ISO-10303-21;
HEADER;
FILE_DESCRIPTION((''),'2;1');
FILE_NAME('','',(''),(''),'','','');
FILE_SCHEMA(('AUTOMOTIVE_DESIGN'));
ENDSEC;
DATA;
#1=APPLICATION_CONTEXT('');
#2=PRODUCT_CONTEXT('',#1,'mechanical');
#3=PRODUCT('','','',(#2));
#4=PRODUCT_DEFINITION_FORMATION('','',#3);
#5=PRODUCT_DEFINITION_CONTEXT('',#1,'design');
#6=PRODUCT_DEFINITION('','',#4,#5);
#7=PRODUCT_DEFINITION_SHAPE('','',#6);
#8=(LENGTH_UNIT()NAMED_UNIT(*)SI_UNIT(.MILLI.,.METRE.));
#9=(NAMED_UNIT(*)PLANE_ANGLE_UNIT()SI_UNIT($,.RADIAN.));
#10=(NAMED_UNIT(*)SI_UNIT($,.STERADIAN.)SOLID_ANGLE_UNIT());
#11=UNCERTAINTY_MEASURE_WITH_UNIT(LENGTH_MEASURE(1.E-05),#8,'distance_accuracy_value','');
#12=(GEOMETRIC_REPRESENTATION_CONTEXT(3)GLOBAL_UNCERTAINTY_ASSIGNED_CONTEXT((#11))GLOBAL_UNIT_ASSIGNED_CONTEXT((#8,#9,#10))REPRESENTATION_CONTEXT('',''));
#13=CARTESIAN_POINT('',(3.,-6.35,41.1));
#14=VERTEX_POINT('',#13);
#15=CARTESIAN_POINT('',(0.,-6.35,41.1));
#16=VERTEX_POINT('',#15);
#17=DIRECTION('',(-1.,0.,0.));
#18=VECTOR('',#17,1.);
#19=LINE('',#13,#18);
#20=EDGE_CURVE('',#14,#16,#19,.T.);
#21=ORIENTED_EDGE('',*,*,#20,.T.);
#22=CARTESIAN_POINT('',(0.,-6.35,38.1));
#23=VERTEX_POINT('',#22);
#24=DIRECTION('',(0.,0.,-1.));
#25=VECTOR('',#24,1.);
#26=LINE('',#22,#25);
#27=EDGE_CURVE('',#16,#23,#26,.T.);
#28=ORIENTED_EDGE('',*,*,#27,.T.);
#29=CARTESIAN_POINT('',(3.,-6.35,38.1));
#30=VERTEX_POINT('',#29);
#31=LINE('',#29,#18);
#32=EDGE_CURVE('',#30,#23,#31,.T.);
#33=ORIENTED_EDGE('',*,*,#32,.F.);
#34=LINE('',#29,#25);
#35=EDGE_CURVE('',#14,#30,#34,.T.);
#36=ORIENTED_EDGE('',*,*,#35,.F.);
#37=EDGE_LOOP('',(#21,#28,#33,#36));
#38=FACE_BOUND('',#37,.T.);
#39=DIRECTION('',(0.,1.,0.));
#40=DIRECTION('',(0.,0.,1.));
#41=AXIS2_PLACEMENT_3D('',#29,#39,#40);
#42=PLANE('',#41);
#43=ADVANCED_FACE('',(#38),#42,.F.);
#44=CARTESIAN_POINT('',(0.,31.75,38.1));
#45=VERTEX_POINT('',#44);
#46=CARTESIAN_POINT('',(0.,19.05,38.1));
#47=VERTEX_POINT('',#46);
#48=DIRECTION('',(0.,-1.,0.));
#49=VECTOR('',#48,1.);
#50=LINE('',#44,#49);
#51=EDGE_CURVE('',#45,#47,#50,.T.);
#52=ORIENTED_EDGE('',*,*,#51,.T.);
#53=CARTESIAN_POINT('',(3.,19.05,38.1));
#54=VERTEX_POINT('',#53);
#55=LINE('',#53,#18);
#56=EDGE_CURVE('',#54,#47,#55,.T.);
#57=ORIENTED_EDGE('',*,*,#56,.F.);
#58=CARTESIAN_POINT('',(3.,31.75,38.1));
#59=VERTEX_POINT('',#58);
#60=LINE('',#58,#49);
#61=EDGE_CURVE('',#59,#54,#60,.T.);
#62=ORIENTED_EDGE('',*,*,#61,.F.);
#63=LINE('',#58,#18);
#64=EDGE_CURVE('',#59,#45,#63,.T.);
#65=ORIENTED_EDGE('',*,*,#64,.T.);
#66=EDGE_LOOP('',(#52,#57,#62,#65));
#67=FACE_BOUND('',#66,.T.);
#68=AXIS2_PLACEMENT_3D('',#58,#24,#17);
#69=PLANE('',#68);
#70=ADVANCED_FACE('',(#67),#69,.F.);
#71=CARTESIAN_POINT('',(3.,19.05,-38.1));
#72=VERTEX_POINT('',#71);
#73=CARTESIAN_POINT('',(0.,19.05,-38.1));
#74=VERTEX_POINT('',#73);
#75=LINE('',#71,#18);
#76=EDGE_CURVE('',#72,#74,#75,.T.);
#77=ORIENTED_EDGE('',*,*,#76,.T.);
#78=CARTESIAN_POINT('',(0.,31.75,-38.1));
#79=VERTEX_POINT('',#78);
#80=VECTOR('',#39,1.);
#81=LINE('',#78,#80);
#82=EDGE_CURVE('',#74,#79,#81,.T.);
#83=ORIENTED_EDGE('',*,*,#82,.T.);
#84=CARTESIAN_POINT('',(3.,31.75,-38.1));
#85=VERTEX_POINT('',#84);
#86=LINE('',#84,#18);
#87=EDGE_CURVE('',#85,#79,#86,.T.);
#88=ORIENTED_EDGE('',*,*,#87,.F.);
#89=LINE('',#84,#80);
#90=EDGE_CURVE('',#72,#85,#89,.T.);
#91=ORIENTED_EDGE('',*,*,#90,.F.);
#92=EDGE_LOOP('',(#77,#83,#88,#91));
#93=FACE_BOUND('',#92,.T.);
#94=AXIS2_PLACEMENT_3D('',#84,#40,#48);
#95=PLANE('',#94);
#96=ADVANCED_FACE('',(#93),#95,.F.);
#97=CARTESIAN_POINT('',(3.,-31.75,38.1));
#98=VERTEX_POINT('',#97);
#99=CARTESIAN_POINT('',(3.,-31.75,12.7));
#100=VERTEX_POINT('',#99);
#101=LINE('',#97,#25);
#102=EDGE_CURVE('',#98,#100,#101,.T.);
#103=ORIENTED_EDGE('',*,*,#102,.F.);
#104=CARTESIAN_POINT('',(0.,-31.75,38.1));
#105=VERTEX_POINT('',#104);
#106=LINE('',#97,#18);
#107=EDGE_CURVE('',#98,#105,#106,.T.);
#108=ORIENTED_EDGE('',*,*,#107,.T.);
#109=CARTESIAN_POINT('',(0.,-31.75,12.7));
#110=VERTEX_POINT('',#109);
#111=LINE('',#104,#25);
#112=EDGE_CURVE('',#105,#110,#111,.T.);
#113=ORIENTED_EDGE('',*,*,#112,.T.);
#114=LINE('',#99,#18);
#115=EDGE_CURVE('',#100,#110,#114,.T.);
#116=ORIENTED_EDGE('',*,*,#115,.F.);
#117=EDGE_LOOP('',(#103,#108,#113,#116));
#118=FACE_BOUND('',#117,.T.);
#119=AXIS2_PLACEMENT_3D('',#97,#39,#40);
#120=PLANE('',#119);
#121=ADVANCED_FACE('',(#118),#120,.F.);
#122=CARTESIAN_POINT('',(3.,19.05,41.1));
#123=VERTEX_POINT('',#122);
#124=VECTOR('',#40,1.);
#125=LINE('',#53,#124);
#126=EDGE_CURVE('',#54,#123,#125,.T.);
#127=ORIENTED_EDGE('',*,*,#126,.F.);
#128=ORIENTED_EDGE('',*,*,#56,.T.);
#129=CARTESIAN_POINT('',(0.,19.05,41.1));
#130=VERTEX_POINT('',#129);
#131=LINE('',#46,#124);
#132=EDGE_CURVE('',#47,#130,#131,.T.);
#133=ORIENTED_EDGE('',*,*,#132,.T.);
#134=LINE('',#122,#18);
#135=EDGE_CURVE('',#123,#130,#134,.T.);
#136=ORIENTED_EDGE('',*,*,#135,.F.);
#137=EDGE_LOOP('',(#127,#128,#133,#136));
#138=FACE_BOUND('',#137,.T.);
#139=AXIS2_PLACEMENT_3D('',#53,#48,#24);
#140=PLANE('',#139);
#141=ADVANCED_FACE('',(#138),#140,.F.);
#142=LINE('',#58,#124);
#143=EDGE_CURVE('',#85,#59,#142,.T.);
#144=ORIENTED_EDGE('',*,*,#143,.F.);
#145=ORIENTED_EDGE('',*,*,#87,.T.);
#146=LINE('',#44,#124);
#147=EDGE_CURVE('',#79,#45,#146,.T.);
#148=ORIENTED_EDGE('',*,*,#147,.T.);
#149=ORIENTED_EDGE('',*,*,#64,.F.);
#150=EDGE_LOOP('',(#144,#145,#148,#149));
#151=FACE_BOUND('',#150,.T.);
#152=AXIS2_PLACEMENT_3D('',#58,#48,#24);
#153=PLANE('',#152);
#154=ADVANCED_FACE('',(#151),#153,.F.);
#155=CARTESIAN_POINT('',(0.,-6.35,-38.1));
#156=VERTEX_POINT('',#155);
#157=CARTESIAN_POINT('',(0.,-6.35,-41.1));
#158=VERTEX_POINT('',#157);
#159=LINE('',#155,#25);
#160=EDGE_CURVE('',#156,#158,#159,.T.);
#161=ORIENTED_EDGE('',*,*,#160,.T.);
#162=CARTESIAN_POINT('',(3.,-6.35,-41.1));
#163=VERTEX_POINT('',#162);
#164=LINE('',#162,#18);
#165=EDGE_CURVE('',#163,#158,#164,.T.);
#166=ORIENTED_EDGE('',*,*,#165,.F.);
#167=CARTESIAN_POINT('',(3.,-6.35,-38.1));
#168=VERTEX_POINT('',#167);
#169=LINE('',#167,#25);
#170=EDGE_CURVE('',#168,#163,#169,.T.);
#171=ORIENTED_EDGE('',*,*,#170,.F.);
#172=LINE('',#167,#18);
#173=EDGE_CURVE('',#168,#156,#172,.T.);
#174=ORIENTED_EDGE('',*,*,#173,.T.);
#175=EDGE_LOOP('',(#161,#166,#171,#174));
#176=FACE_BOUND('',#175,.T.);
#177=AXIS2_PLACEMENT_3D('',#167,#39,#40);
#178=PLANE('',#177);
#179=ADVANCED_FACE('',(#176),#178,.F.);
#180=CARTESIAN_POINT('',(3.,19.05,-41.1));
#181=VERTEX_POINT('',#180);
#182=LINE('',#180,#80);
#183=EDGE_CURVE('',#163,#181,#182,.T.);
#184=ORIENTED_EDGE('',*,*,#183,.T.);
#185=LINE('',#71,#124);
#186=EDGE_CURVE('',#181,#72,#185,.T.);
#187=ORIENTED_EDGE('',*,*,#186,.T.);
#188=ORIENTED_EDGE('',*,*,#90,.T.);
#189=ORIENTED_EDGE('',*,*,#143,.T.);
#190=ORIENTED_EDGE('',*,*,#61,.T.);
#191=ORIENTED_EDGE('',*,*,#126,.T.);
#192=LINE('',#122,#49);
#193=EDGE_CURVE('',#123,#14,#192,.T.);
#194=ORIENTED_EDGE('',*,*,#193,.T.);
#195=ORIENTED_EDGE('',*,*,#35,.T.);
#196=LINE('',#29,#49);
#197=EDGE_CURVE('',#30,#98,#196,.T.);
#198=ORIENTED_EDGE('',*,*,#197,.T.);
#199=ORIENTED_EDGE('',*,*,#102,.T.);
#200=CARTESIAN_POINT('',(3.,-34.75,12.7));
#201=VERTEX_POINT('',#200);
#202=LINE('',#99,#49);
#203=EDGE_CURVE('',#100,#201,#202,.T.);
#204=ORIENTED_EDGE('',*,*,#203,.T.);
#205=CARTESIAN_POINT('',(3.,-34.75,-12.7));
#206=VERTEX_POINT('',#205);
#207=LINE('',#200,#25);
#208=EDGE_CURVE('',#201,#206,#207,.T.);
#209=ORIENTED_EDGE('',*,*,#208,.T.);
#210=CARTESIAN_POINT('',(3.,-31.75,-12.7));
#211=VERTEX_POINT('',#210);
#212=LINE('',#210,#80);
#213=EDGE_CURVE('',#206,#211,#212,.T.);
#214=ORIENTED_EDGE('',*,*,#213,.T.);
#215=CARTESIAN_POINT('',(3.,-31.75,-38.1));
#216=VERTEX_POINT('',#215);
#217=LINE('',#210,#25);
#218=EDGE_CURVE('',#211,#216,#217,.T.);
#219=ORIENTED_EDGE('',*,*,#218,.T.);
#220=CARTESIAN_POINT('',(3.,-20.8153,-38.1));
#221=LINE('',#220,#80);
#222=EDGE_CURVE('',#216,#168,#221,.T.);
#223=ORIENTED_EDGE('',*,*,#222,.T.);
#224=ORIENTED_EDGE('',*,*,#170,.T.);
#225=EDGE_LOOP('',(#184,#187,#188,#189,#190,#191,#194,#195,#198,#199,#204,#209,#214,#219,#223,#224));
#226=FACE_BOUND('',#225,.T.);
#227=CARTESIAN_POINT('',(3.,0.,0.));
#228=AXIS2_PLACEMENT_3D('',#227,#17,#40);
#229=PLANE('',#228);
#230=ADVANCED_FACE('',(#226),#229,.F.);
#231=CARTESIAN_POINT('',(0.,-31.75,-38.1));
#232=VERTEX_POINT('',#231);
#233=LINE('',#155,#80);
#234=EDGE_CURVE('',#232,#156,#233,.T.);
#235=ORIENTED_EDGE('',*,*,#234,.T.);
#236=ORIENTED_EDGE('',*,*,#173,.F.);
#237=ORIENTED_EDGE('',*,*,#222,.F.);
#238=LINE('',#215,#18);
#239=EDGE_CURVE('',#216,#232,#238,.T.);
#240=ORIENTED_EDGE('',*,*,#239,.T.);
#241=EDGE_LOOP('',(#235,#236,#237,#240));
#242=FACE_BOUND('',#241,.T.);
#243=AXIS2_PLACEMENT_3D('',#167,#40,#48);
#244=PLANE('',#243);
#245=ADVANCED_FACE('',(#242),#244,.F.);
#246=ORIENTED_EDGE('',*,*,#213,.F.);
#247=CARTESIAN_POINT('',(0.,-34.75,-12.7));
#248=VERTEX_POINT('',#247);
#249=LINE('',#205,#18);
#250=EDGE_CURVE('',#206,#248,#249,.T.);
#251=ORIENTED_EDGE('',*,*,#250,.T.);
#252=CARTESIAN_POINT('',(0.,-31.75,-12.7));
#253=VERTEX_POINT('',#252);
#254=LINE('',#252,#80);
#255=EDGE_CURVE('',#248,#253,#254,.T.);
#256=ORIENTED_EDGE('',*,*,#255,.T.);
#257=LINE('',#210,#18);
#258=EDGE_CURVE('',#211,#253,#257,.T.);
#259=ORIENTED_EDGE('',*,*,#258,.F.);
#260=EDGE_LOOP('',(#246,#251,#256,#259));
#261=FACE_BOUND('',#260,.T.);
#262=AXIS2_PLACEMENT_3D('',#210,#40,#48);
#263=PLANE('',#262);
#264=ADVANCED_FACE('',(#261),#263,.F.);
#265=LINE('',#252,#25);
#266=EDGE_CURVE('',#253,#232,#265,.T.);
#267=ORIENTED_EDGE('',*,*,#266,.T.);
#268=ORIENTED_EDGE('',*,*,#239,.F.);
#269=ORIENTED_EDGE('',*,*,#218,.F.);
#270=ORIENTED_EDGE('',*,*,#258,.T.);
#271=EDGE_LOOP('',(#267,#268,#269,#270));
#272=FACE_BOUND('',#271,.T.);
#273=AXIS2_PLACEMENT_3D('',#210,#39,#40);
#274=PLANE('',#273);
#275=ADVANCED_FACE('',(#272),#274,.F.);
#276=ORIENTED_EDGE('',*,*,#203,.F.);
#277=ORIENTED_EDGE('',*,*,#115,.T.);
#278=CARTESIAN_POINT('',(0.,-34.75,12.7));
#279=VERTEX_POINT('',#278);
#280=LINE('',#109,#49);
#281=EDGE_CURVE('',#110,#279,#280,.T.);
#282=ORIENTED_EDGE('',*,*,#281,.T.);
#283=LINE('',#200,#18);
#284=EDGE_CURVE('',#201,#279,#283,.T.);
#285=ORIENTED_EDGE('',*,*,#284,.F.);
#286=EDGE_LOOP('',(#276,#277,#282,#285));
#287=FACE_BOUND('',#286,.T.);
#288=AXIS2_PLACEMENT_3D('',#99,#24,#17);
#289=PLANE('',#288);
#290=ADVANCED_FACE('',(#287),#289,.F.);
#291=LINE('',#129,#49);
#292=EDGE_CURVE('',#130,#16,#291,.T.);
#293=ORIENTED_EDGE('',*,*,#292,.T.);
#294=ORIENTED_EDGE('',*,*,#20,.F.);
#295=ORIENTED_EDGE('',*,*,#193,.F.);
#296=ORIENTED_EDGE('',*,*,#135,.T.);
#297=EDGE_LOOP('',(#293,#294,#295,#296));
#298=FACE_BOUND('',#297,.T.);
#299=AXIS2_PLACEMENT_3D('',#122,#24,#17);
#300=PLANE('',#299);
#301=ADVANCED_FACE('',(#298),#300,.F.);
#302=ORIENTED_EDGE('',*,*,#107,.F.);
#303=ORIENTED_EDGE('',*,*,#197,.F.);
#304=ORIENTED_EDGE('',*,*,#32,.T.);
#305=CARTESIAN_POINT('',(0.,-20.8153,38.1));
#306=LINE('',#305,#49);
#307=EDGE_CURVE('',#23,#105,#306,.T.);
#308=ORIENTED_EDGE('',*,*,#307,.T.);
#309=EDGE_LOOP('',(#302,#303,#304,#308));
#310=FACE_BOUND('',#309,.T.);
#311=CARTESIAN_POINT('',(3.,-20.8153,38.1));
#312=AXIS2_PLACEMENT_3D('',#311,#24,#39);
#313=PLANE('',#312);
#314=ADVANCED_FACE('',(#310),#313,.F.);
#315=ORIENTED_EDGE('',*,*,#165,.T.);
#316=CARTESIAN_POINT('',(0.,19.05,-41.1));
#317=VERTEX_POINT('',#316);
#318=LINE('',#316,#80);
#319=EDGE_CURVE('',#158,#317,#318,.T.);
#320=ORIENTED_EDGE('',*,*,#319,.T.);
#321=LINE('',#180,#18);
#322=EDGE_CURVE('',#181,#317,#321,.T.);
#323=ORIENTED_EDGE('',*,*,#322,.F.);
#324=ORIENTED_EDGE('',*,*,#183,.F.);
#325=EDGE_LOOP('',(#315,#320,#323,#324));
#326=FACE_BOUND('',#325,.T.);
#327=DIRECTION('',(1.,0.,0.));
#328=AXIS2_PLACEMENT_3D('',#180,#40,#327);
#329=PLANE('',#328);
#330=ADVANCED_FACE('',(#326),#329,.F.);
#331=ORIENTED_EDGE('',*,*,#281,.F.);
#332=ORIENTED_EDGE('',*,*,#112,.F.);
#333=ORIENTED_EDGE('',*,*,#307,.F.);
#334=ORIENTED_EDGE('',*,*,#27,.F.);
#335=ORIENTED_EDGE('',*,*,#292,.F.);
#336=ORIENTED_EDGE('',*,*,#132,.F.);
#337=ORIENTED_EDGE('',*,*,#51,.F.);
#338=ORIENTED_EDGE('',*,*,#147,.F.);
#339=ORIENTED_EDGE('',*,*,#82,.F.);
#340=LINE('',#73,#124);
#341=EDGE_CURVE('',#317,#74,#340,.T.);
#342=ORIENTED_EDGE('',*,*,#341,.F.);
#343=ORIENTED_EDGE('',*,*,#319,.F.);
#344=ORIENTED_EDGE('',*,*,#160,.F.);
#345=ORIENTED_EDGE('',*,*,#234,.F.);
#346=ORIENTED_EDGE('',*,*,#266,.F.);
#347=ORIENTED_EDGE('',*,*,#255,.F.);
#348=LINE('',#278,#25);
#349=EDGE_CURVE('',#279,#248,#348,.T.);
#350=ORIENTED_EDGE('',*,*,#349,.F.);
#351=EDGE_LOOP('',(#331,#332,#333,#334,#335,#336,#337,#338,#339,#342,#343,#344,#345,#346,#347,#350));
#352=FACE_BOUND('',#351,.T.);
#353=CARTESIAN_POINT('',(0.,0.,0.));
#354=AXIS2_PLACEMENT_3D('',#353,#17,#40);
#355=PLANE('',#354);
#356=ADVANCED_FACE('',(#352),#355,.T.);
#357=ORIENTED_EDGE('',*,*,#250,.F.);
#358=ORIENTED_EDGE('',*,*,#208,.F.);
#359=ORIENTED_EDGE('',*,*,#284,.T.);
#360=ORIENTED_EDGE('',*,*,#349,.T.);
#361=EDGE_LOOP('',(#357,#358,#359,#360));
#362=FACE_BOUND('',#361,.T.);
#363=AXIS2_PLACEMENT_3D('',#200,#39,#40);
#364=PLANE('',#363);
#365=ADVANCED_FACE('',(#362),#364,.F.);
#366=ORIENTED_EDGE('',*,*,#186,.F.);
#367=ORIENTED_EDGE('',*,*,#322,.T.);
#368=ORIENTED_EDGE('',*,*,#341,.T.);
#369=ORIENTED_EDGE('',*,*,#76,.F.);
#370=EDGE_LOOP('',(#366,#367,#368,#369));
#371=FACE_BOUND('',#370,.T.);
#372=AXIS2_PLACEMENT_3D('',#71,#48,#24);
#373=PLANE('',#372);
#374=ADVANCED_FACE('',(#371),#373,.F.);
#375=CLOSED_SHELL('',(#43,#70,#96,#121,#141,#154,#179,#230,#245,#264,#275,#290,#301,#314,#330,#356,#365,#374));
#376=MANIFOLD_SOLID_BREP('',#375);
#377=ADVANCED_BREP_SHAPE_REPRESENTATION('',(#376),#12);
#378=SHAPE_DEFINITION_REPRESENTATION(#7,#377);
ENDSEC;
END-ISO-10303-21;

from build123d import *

# Parameters (mm, degrees)
BOSS_EXTRUDE1_DEPTH = 3


with BuildPart() as part:
    # Sketch1 → Boss-Extrude1 (new body)
    with BuildSketch(Plane(origin=(0, 0, 0), x_dir=(0, 0, -1), z_dir=(1, 0, 0))):
        Polygon((-38.1, -17.2847), (-38.1, -20.8153), (-38.1, -31.75), (-12.7, -31.75), (-12.7, -34.75), (12.7, -34.75), (12.7, -31.75), (38.1, -31.75), (38.1, -20.8153), (38.1, -17.2847), (38.1, -6.35), (41.1, -6.35), (41.1, 19.05), (38.1, 19.05), (38.1, 31.75), (-38.1, 31.75), (-38.1, 19.05), (-41.1, 19.05), (-41.1, -6.35), (-38.1, -6.35), align=None)
    extrude(amount=BOSS_EXTRUDE1_DEPTH)


solid = part.part
